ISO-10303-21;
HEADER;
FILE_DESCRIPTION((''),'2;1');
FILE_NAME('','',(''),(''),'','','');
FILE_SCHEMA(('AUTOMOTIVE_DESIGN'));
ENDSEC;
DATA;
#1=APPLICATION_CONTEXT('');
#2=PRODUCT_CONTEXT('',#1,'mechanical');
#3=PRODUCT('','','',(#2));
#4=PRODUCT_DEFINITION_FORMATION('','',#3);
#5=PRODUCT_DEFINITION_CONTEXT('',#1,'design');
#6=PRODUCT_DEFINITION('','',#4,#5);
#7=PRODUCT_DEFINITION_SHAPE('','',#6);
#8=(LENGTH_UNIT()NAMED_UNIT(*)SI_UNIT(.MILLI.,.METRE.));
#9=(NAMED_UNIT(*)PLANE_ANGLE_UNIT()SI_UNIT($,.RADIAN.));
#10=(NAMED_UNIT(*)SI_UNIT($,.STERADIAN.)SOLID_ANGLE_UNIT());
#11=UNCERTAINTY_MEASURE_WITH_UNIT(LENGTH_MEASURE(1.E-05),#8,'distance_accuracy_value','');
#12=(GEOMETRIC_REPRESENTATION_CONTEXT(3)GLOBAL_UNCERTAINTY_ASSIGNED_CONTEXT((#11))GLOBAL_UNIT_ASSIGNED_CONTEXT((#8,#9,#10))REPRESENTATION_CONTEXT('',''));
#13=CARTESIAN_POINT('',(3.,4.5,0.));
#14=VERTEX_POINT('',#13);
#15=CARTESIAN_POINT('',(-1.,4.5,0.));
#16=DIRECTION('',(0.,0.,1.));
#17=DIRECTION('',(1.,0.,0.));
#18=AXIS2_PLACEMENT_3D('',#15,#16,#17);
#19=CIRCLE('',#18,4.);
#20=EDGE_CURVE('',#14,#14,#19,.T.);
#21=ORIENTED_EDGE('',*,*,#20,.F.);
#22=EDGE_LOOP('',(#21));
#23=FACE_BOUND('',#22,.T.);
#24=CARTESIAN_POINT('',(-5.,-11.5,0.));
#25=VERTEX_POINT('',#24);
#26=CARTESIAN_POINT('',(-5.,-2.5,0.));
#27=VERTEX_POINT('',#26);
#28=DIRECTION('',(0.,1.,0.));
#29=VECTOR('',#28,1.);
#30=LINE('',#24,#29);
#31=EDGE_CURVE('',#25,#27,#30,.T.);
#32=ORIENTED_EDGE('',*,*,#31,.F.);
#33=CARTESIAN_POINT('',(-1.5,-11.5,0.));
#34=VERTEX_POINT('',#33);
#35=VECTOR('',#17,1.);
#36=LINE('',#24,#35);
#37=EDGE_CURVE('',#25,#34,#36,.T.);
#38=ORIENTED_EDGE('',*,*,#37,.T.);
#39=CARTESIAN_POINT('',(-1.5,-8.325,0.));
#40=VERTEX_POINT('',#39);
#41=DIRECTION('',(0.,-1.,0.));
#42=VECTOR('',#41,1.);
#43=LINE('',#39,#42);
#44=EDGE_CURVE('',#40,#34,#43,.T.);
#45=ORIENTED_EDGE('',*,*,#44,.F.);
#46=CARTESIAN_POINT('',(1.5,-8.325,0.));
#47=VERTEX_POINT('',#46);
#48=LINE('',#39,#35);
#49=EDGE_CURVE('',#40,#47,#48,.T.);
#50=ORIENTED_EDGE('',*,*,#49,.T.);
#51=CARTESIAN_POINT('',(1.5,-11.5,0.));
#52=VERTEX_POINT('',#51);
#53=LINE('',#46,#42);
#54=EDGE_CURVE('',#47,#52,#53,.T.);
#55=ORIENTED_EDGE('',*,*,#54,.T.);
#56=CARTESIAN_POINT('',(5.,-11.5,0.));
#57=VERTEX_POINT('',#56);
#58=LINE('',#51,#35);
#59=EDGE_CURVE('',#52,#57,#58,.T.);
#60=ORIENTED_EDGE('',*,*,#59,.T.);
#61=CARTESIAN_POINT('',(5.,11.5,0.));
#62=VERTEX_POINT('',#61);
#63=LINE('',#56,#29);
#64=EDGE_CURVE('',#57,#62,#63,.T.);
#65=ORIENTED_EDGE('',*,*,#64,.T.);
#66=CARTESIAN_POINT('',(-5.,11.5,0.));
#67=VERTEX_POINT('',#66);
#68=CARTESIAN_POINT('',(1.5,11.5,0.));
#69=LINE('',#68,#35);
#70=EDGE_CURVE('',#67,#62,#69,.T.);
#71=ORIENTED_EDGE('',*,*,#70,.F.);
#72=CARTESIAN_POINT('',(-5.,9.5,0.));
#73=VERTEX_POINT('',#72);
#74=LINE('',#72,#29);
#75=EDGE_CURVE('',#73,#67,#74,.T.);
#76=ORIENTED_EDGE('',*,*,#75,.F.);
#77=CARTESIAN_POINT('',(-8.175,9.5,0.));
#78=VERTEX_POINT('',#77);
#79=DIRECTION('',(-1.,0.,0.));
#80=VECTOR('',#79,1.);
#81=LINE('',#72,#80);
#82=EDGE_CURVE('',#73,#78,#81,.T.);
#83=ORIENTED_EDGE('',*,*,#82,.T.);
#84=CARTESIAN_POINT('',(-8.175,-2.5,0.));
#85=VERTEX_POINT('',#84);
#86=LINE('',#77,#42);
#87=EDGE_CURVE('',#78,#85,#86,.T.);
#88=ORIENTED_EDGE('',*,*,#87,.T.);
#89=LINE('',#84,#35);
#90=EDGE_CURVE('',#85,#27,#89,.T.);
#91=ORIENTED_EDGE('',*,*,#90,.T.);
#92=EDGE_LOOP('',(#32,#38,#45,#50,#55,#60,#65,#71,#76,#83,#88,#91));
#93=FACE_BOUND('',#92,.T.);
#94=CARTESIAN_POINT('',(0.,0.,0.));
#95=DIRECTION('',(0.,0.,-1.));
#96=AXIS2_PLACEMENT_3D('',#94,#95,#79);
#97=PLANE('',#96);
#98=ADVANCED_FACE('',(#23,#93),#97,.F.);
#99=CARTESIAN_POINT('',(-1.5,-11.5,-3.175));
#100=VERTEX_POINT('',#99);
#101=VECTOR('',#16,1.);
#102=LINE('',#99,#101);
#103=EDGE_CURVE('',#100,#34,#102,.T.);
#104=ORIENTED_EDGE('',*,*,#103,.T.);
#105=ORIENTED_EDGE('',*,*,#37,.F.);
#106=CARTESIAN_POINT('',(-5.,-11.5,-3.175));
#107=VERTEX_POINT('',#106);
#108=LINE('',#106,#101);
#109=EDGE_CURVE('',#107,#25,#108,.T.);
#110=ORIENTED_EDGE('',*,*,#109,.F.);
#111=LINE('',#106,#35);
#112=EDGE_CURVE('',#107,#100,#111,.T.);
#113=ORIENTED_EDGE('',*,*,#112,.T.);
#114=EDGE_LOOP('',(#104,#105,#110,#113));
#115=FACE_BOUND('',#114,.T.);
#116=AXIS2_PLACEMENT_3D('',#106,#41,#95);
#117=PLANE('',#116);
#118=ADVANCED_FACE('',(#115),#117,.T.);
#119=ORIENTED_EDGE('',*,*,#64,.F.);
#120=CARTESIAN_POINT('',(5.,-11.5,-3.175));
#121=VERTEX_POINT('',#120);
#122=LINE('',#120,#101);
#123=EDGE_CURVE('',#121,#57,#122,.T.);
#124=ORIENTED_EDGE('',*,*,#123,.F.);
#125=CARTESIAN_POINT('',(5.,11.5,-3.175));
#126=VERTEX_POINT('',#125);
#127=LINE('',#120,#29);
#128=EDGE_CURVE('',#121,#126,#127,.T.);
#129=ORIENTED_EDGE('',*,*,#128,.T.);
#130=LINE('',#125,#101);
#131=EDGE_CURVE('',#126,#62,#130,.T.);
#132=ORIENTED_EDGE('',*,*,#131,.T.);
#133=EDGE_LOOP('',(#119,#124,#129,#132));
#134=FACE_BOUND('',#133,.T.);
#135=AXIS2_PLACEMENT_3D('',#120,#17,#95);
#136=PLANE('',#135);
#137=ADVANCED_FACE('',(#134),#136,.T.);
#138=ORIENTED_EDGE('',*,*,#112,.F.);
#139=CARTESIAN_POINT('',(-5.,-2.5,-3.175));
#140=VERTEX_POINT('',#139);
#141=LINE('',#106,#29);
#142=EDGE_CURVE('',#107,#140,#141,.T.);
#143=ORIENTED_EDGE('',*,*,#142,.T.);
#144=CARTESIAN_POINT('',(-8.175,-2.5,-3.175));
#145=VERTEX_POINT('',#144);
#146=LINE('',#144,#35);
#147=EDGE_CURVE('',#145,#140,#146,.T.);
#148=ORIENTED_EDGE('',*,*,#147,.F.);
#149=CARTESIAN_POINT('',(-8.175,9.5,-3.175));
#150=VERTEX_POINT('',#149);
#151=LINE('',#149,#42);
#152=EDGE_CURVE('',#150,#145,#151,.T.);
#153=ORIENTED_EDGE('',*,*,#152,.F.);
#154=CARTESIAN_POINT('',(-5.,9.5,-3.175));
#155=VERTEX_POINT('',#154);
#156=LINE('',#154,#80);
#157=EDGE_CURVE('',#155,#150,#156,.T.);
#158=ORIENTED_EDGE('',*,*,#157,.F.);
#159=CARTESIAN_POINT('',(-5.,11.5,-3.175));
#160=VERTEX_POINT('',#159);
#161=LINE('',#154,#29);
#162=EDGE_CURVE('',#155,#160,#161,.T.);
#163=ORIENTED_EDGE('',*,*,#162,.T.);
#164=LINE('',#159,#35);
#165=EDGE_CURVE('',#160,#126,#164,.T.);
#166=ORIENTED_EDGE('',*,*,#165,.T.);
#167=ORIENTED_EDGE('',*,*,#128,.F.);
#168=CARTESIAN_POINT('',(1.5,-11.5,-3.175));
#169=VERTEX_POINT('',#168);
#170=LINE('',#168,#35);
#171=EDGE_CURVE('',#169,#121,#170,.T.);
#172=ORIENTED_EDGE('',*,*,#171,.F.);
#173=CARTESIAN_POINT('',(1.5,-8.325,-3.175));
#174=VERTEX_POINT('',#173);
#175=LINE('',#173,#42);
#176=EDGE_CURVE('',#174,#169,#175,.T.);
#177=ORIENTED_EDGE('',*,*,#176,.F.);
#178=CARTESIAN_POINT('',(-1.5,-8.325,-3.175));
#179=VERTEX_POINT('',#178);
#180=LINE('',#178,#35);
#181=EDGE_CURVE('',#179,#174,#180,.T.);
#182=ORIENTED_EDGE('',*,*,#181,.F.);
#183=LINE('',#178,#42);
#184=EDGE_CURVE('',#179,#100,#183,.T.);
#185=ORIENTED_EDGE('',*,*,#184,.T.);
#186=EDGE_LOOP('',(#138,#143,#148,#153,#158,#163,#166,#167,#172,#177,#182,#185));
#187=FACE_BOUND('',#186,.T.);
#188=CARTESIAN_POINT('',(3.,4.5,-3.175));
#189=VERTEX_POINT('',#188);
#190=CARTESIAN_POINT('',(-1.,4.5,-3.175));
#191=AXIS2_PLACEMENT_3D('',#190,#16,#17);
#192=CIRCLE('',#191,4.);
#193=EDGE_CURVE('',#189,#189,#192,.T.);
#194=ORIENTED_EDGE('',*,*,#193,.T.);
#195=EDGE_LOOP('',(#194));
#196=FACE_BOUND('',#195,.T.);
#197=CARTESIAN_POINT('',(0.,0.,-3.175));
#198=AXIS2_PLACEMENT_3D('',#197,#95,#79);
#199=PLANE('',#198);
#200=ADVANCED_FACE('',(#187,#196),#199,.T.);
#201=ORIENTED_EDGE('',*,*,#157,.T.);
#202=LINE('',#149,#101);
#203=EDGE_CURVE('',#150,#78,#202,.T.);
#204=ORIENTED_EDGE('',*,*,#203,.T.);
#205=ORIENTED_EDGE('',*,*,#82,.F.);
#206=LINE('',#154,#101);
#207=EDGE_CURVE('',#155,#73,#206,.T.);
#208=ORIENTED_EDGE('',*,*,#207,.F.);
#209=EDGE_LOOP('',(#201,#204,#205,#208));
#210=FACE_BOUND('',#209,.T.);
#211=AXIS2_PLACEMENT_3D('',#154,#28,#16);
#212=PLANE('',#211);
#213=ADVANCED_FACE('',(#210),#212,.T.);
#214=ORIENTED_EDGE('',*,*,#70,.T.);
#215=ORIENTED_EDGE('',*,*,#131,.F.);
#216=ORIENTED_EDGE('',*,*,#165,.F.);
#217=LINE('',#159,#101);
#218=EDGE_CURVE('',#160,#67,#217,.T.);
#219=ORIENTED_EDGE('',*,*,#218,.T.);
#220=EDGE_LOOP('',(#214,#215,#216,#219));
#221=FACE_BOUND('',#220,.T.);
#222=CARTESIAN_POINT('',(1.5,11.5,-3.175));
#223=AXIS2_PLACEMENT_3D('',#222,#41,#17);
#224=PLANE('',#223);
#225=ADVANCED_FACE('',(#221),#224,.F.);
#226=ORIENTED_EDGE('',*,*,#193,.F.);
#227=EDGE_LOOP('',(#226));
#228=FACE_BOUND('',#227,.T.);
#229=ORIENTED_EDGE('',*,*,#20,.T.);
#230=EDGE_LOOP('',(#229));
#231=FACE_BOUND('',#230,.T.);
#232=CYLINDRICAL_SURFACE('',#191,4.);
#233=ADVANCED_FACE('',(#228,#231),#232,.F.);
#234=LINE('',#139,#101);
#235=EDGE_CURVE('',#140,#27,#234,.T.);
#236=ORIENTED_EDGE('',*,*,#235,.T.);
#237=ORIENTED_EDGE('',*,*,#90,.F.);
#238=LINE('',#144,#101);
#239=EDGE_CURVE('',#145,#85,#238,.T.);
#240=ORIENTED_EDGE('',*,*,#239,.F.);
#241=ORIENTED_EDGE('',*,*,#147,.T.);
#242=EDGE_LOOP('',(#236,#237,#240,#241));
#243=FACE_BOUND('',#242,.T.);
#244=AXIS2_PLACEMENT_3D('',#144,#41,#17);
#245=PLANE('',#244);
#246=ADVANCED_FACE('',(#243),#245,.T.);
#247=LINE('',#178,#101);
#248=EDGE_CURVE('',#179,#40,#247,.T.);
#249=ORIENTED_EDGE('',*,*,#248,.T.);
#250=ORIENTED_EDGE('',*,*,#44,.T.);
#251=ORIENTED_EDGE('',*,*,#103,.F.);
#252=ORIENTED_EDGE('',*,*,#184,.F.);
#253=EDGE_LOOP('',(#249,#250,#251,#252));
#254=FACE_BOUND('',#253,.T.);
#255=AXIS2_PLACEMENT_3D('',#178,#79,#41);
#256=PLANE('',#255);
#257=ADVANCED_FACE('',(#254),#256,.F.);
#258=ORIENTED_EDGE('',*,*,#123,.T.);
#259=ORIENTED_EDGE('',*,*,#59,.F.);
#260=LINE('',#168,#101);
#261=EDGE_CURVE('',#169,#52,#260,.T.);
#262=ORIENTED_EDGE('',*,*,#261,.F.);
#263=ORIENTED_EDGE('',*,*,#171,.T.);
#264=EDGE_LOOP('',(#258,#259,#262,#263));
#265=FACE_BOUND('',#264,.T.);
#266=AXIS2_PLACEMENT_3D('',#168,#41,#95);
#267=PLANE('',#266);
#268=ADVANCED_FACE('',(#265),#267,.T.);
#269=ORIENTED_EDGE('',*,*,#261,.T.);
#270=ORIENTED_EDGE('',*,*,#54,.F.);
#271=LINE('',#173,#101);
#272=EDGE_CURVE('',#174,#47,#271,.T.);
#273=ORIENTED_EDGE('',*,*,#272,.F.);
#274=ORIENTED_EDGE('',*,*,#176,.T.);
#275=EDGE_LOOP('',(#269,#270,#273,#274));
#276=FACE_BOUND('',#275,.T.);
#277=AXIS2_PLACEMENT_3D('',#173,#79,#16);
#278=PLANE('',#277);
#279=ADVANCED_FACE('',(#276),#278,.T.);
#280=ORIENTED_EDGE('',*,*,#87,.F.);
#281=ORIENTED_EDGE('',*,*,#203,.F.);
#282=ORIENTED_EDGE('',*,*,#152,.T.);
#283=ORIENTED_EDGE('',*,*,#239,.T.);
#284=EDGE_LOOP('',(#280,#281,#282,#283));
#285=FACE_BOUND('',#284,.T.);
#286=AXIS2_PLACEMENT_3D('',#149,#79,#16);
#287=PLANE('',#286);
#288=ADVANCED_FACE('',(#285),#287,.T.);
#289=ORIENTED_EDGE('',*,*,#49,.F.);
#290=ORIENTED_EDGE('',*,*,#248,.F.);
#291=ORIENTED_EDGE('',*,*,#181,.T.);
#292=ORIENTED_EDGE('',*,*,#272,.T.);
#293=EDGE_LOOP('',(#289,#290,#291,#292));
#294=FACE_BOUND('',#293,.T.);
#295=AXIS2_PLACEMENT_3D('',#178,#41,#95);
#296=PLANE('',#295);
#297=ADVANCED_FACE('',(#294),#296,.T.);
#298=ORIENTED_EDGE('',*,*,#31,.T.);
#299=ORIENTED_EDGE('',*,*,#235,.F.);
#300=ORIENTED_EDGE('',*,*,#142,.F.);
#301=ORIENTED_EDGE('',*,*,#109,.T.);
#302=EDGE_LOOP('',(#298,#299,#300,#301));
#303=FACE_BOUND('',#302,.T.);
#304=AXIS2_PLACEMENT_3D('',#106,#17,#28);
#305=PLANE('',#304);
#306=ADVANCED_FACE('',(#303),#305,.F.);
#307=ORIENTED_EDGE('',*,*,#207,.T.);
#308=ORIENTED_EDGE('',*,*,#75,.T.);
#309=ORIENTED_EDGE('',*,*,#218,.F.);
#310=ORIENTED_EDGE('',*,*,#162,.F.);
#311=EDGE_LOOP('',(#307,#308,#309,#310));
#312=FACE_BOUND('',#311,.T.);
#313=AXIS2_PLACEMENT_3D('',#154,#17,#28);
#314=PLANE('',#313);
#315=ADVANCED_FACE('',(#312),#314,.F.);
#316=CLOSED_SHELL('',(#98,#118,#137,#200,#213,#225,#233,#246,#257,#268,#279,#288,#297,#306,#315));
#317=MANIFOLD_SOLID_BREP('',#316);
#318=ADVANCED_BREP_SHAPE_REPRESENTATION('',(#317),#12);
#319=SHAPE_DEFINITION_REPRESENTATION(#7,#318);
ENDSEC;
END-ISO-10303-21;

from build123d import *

# Parameters (mm, degrees)
SKETCH2_R           = 4
BOSS_EXTRUDE1_DEPTH = 3.175


with BuildPart() as part:
    # Sketch2 → Boss-Extrude1 (new body)
    with BuildSketch(Plane.XY):
        Polygon((-5, -11.5), (-1.5, -11.5), (-1.5, -8.325), (1.5, -8.325), (1.5, -11.5), (5, -11.5), (5, 11.5), (1.5, 11.5), (-1.5, 11.5), (-5, 11.5), (-5, 9.5), (-8.175, 9.5), (-8.175, -2.5), (-5, -2.5), align=None)
        with Locations((-1, 4.5)):
            Circle(SKETCH2_R, mode=Mode.SUBTRACT)
    extrude(amount=-BOSS_EXTRUDE1_DEPTH)


solid = part.part
